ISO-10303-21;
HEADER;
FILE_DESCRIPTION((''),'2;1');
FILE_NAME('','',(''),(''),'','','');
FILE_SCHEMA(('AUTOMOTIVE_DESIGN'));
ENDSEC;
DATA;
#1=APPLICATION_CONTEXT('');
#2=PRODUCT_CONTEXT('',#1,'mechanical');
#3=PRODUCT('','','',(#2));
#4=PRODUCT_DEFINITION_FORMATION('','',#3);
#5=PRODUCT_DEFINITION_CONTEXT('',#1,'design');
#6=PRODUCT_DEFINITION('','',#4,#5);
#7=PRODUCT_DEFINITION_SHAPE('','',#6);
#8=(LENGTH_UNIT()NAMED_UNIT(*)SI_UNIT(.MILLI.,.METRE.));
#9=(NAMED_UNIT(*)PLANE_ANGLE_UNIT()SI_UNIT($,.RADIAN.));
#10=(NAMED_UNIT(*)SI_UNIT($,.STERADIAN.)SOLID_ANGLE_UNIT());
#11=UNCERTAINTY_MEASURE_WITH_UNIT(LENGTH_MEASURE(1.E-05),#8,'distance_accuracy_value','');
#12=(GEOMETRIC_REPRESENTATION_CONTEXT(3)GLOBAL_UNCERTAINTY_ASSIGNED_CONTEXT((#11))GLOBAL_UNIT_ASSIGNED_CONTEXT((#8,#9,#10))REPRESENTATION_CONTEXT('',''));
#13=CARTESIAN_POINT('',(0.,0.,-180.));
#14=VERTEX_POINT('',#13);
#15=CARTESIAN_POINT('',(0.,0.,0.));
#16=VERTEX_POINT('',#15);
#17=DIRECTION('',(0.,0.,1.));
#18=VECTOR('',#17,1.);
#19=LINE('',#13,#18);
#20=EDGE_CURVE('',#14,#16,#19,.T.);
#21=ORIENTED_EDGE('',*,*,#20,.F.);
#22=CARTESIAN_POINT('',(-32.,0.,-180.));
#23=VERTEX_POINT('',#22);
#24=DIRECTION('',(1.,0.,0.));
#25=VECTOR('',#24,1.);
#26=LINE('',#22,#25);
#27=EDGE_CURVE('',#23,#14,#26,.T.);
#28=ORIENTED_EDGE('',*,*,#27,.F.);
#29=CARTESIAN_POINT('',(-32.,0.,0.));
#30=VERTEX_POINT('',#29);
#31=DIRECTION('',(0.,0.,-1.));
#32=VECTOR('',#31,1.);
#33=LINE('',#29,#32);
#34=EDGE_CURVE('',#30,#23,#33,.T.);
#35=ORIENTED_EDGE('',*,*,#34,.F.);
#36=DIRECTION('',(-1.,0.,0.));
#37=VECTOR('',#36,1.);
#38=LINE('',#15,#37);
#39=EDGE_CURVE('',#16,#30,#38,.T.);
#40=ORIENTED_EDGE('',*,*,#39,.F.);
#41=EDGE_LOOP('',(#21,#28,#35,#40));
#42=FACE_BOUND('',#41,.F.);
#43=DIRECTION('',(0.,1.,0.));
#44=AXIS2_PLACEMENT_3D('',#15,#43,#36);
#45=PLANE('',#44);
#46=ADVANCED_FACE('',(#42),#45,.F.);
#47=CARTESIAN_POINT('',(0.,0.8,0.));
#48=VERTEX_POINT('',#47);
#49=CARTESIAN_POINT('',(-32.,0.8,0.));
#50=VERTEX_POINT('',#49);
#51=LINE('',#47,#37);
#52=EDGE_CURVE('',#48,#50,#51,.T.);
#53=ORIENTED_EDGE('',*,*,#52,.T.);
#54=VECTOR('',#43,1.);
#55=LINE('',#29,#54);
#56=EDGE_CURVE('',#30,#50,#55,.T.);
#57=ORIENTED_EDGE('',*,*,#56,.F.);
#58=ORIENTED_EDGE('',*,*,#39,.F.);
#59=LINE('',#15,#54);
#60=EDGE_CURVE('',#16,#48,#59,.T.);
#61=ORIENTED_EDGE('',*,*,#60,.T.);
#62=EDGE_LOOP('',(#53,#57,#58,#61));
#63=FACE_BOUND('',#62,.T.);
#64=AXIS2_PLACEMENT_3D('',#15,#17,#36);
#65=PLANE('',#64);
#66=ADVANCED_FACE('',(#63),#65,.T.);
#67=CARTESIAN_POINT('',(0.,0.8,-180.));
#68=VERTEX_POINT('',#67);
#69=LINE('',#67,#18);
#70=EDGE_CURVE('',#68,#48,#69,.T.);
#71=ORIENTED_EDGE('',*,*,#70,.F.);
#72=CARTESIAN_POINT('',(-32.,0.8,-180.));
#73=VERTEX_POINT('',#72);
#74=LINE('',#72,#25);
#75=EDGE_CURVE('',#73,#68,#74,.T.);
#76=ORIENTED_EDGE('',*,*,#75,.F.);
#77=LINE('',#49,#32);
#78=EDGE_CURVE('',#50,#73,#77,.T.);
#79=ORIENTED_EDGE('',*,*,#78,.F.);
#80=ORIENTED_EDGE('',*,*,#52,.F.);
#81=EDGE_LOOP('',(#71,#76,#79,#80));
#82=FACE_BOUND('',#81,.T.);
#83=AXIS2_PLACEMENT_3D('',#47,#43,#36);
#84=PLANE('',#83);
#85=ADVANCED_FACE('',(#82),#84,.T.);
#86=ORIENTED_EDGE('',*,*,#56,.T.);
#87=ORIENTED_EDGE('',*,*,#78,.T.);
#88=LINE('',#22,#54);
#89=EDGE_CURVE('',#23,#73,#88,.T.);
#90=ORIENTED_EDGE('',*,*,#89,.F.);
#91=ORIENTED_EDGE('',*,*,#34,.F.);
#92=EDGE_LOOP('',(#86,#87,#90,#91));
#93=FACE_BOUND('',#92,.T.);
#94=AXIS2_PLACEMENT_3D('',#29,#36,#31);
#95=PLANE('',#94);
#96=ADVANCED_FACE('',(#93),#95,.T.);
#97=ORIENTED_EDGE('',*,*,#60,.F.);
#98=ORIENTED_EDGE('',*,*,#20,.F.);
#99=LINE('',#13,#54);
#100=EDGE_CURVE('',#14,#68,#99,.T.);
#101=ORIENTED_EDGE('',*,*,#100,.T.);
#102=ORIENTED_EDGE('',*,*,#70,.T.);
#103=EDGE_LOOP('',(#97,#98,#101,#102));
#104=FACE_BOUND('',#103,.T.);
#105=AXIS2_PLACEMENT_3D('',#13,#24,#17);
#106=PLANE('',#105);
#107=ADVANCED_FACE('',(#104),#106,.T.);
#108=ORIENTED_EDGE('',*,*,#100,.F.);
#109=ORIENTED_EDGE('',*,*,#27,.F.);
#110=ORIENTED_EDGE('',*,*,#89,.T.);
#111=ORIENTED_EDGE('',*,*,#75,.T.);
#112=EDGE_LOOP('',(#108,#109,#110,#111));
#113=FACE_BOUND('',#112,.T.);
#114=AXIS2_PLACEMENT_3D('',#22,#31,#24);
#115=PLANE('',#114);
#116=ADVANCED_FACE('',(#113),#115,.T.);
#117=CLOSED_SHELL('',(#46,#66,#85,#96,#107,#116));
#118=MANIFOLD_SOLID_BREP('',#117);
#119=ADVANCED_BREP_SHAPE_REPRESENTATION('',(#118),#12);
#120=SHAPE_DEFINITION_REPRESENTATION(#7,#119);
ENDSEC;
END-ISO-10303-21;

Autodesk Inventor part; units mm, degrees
ref_plane "YZ Plane" through (0, 0, 0) normal (1, 0, 0) x (0, 1, 0)
ref_plane "XZ Plane" through (0, 0, 0) normal (0, 1, 0) x (-1, 0, 0)
ref_plane "XY Plane" through (0, 0, 0) normal (0, 0, 1) x (1, 0, 0)
sketch "Sketch1" plane through (0, 0, 0) normal (0, 1, 0) x (-1, 0, 0)
  point P0 (0, 0)
sketch "Sketch2" plane through (0, 0, 0) normal (0, 1, 0) x (-1, 0, 0)
  line L0 (0, 0) -> (32, 0)
  line L1 (32, 0) -> (32, -180)
  line L2 (32, -180) -> (0, -180)
  line L3 (0, -180) -> (0, 0)
  dimension "d0" = 32
  dimension "d1" = 180
extrude "Extrusion1" add sketch "Sketch2" along normal blind 0.8
properties part number "side_case_2"
